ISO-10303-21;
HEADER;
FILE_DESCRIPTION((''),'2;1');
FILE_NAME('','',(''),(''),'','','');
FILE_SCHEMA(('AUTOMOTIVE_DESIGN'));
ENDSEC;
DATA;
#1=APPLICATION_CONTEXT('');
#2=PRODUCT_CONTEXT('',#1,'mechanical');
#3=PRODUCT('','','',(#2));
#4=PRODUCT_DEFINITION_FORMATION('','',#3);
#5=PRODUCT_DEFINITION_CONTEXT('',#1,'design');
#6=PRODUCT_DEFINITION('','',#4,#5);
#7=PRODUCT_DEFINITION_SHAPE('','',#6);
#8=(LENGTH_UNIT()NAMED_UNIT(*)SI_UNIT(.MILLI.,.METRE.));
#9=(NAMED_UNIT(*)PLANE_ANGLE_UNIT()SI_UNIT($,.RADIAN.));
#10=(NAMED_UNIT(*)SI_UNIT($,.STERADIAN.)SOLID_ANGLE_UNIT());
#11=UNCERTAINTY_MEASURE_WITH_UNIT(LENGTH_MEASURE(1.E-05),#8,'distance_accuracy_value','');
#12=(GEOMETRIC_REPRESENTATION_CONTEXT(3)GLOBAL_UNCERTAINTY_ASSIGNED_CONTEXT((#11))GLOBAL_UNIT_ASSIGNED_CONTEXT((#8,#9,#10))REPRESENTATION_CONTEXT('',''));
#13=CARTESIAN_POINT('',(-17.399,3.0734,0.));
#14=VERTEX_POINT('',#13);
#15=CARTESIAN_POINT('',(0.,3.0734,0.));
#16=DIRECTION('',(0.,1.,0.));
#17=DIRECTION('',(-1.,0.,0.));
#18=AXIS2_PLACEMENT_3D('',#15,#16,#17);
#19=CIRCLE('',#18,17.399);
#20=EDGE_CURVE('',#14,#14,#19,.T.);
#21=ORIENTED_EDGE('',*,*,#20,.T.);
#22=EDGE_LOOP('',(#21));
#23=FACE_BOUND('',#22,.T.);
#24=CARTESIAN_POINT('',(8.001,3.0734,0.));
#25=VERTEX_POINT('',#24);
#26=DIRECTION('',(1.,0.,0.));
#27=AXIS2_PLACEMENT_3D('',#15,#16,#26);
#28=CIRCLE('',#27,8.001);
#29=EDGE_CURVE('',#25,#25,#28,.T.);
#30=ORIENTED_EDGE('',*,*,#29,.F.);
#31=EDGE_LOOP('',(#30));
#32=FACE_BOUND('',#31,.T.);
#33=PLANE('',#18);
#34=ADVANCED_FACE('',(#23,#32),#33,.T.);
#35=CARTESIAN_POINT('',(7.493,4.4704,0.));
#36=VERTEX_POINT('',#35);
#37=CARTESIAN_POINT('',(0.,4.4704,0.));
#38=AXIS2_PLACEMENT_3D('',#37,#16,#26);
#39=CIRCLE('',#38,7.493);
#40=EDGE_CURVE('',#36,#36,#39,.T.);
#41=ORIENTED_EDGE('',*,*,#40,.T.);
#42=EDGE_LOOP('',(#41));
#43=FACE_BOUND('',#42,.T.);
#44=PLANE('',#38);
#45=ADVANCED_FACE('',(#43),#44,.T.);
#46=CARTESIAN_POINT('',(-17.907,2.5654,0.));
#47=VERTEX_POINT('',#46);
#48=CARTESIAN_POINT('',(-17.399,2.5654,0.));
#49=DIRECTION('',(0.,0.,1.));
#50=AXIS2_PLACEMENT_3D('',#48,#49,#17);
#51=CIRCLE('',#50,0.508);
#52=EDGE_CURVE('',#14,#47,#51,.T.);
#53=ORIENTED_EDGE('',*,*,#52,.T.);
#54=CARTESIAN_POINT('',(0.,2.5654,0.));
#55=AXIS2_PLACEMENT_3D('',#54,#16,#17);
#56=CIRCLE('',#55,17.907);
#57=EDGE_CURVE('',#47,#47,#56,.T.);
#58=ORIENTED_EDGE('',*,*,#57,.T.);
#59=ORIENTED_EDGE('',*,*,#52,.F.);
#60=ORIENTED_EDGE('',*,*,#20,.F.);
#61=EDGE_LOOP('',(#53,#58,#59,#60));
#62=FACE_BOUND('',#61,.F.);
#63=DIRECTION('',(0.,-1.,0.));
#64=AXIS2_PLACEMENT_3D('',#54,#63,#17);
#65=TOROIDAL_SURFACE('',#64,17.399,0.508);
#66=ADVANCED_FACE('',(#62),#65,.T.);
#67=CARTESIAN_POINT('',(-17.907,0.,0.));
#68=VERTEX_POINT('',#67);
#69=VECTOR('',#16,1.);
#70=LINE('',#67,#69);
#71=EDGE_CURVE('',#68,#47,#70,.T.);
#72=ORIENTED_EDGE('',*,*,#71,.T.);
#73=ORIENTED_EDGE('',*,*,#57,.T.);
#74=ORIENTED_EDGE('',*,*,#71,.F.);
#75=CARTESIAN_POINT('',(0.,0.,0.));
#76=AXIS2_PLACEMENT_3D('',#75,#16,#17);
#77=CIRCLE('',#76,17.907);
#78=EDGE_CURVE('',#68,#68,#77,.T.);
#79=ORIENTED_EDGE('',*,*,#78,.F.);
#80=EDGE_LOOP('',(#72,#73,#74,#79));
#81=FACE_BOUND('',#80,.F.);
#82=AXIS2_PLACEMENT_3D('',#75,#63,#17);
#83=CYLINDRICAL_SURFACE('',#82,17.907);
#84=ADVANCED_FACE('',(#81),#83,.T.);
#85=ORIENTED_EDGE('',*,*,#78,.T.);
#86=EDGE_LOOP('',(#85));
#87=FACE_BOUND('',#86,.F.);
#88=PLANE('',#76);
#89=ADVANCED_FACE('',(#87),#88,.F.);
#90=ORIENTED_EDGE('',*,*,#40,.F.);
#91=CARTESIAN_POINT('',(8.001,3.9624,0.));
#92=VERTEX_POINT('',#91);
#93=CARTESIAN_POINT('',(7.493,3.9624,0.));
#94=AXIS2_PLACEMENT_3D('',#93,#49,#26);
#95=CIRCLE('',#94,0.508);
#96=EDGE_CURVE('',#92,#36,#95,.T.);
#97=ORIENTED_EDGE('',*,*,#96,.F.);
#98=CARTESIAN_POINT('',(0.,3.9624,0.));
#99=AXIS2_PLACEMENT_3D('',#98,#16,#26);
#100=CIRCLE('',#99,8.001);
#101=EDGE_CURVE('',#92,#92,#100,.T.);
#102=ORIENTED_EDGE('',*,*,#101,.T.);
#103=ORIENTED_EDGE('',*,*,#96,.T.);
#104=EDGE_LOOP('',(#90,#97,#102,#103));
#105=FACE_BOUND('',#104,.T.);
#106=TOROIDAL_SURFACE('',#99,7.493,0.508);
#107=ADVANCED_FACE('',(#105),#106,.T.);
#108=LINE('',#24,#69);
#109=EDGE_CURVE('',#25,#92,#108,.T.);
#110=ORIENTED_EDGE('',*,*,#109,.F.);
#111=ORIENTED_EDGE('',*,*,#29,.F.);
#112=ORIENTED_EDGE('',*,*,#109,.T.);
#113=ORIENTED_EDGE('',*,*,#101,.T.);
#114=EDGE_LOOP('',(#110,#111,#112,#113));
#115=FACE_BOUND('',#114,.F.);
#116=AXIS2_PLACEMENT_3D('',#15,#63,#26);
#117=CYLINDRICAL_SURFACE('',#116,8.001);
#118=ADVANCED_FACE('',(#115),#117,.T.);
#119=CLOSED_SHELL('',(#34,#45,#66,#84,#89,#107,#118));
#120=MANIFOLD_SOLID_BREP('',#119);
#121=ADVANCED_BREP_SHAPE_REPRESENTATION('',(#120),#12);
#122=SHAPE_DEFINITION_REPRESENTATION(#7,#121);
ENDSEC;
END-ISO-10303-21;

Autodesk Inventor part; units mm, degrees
ref_plane "YZ Plane" through (0, 0, 0) normal (1, 0, 0) x (0, 1, 0)
ref_plane "XZ Plane" through (0, 0, 0) normal (0, 1, 0) x (-1, 0, 0)
ref_plane "XY Plane" through (0, 0, 0) normal (0, 0, 1) x (1, 0, 0)
sketch "Sketch1" plane through (0, 0, 0) normal (0, 1, 0) x (-1, 0, 0)
  circle A0 centre (0, 0) radius 17.907
  dimension "d0" = 35.814
extrude "Extrusion1" add sketch "Sketch1" along normal blind 3.0734
sketch "Sketch2" plane through (0, 3.0734, 0) normal (0, 1, 0) x (1, 0, 0)
  circle A0 centre (0, 0) radius 8.001
  dimension "d3" = 16.002
extrude "Extrusion2" add sketch "Sketch2" along normal blind 1.397
fillet "Fillet1" radius 0.508 1 edges at (-8.001, 4.4704, 0)
fillet "Fillet2" radius 0.508 1 edges at (17.907, 3.0734, 0)
properties part number "speaker"
